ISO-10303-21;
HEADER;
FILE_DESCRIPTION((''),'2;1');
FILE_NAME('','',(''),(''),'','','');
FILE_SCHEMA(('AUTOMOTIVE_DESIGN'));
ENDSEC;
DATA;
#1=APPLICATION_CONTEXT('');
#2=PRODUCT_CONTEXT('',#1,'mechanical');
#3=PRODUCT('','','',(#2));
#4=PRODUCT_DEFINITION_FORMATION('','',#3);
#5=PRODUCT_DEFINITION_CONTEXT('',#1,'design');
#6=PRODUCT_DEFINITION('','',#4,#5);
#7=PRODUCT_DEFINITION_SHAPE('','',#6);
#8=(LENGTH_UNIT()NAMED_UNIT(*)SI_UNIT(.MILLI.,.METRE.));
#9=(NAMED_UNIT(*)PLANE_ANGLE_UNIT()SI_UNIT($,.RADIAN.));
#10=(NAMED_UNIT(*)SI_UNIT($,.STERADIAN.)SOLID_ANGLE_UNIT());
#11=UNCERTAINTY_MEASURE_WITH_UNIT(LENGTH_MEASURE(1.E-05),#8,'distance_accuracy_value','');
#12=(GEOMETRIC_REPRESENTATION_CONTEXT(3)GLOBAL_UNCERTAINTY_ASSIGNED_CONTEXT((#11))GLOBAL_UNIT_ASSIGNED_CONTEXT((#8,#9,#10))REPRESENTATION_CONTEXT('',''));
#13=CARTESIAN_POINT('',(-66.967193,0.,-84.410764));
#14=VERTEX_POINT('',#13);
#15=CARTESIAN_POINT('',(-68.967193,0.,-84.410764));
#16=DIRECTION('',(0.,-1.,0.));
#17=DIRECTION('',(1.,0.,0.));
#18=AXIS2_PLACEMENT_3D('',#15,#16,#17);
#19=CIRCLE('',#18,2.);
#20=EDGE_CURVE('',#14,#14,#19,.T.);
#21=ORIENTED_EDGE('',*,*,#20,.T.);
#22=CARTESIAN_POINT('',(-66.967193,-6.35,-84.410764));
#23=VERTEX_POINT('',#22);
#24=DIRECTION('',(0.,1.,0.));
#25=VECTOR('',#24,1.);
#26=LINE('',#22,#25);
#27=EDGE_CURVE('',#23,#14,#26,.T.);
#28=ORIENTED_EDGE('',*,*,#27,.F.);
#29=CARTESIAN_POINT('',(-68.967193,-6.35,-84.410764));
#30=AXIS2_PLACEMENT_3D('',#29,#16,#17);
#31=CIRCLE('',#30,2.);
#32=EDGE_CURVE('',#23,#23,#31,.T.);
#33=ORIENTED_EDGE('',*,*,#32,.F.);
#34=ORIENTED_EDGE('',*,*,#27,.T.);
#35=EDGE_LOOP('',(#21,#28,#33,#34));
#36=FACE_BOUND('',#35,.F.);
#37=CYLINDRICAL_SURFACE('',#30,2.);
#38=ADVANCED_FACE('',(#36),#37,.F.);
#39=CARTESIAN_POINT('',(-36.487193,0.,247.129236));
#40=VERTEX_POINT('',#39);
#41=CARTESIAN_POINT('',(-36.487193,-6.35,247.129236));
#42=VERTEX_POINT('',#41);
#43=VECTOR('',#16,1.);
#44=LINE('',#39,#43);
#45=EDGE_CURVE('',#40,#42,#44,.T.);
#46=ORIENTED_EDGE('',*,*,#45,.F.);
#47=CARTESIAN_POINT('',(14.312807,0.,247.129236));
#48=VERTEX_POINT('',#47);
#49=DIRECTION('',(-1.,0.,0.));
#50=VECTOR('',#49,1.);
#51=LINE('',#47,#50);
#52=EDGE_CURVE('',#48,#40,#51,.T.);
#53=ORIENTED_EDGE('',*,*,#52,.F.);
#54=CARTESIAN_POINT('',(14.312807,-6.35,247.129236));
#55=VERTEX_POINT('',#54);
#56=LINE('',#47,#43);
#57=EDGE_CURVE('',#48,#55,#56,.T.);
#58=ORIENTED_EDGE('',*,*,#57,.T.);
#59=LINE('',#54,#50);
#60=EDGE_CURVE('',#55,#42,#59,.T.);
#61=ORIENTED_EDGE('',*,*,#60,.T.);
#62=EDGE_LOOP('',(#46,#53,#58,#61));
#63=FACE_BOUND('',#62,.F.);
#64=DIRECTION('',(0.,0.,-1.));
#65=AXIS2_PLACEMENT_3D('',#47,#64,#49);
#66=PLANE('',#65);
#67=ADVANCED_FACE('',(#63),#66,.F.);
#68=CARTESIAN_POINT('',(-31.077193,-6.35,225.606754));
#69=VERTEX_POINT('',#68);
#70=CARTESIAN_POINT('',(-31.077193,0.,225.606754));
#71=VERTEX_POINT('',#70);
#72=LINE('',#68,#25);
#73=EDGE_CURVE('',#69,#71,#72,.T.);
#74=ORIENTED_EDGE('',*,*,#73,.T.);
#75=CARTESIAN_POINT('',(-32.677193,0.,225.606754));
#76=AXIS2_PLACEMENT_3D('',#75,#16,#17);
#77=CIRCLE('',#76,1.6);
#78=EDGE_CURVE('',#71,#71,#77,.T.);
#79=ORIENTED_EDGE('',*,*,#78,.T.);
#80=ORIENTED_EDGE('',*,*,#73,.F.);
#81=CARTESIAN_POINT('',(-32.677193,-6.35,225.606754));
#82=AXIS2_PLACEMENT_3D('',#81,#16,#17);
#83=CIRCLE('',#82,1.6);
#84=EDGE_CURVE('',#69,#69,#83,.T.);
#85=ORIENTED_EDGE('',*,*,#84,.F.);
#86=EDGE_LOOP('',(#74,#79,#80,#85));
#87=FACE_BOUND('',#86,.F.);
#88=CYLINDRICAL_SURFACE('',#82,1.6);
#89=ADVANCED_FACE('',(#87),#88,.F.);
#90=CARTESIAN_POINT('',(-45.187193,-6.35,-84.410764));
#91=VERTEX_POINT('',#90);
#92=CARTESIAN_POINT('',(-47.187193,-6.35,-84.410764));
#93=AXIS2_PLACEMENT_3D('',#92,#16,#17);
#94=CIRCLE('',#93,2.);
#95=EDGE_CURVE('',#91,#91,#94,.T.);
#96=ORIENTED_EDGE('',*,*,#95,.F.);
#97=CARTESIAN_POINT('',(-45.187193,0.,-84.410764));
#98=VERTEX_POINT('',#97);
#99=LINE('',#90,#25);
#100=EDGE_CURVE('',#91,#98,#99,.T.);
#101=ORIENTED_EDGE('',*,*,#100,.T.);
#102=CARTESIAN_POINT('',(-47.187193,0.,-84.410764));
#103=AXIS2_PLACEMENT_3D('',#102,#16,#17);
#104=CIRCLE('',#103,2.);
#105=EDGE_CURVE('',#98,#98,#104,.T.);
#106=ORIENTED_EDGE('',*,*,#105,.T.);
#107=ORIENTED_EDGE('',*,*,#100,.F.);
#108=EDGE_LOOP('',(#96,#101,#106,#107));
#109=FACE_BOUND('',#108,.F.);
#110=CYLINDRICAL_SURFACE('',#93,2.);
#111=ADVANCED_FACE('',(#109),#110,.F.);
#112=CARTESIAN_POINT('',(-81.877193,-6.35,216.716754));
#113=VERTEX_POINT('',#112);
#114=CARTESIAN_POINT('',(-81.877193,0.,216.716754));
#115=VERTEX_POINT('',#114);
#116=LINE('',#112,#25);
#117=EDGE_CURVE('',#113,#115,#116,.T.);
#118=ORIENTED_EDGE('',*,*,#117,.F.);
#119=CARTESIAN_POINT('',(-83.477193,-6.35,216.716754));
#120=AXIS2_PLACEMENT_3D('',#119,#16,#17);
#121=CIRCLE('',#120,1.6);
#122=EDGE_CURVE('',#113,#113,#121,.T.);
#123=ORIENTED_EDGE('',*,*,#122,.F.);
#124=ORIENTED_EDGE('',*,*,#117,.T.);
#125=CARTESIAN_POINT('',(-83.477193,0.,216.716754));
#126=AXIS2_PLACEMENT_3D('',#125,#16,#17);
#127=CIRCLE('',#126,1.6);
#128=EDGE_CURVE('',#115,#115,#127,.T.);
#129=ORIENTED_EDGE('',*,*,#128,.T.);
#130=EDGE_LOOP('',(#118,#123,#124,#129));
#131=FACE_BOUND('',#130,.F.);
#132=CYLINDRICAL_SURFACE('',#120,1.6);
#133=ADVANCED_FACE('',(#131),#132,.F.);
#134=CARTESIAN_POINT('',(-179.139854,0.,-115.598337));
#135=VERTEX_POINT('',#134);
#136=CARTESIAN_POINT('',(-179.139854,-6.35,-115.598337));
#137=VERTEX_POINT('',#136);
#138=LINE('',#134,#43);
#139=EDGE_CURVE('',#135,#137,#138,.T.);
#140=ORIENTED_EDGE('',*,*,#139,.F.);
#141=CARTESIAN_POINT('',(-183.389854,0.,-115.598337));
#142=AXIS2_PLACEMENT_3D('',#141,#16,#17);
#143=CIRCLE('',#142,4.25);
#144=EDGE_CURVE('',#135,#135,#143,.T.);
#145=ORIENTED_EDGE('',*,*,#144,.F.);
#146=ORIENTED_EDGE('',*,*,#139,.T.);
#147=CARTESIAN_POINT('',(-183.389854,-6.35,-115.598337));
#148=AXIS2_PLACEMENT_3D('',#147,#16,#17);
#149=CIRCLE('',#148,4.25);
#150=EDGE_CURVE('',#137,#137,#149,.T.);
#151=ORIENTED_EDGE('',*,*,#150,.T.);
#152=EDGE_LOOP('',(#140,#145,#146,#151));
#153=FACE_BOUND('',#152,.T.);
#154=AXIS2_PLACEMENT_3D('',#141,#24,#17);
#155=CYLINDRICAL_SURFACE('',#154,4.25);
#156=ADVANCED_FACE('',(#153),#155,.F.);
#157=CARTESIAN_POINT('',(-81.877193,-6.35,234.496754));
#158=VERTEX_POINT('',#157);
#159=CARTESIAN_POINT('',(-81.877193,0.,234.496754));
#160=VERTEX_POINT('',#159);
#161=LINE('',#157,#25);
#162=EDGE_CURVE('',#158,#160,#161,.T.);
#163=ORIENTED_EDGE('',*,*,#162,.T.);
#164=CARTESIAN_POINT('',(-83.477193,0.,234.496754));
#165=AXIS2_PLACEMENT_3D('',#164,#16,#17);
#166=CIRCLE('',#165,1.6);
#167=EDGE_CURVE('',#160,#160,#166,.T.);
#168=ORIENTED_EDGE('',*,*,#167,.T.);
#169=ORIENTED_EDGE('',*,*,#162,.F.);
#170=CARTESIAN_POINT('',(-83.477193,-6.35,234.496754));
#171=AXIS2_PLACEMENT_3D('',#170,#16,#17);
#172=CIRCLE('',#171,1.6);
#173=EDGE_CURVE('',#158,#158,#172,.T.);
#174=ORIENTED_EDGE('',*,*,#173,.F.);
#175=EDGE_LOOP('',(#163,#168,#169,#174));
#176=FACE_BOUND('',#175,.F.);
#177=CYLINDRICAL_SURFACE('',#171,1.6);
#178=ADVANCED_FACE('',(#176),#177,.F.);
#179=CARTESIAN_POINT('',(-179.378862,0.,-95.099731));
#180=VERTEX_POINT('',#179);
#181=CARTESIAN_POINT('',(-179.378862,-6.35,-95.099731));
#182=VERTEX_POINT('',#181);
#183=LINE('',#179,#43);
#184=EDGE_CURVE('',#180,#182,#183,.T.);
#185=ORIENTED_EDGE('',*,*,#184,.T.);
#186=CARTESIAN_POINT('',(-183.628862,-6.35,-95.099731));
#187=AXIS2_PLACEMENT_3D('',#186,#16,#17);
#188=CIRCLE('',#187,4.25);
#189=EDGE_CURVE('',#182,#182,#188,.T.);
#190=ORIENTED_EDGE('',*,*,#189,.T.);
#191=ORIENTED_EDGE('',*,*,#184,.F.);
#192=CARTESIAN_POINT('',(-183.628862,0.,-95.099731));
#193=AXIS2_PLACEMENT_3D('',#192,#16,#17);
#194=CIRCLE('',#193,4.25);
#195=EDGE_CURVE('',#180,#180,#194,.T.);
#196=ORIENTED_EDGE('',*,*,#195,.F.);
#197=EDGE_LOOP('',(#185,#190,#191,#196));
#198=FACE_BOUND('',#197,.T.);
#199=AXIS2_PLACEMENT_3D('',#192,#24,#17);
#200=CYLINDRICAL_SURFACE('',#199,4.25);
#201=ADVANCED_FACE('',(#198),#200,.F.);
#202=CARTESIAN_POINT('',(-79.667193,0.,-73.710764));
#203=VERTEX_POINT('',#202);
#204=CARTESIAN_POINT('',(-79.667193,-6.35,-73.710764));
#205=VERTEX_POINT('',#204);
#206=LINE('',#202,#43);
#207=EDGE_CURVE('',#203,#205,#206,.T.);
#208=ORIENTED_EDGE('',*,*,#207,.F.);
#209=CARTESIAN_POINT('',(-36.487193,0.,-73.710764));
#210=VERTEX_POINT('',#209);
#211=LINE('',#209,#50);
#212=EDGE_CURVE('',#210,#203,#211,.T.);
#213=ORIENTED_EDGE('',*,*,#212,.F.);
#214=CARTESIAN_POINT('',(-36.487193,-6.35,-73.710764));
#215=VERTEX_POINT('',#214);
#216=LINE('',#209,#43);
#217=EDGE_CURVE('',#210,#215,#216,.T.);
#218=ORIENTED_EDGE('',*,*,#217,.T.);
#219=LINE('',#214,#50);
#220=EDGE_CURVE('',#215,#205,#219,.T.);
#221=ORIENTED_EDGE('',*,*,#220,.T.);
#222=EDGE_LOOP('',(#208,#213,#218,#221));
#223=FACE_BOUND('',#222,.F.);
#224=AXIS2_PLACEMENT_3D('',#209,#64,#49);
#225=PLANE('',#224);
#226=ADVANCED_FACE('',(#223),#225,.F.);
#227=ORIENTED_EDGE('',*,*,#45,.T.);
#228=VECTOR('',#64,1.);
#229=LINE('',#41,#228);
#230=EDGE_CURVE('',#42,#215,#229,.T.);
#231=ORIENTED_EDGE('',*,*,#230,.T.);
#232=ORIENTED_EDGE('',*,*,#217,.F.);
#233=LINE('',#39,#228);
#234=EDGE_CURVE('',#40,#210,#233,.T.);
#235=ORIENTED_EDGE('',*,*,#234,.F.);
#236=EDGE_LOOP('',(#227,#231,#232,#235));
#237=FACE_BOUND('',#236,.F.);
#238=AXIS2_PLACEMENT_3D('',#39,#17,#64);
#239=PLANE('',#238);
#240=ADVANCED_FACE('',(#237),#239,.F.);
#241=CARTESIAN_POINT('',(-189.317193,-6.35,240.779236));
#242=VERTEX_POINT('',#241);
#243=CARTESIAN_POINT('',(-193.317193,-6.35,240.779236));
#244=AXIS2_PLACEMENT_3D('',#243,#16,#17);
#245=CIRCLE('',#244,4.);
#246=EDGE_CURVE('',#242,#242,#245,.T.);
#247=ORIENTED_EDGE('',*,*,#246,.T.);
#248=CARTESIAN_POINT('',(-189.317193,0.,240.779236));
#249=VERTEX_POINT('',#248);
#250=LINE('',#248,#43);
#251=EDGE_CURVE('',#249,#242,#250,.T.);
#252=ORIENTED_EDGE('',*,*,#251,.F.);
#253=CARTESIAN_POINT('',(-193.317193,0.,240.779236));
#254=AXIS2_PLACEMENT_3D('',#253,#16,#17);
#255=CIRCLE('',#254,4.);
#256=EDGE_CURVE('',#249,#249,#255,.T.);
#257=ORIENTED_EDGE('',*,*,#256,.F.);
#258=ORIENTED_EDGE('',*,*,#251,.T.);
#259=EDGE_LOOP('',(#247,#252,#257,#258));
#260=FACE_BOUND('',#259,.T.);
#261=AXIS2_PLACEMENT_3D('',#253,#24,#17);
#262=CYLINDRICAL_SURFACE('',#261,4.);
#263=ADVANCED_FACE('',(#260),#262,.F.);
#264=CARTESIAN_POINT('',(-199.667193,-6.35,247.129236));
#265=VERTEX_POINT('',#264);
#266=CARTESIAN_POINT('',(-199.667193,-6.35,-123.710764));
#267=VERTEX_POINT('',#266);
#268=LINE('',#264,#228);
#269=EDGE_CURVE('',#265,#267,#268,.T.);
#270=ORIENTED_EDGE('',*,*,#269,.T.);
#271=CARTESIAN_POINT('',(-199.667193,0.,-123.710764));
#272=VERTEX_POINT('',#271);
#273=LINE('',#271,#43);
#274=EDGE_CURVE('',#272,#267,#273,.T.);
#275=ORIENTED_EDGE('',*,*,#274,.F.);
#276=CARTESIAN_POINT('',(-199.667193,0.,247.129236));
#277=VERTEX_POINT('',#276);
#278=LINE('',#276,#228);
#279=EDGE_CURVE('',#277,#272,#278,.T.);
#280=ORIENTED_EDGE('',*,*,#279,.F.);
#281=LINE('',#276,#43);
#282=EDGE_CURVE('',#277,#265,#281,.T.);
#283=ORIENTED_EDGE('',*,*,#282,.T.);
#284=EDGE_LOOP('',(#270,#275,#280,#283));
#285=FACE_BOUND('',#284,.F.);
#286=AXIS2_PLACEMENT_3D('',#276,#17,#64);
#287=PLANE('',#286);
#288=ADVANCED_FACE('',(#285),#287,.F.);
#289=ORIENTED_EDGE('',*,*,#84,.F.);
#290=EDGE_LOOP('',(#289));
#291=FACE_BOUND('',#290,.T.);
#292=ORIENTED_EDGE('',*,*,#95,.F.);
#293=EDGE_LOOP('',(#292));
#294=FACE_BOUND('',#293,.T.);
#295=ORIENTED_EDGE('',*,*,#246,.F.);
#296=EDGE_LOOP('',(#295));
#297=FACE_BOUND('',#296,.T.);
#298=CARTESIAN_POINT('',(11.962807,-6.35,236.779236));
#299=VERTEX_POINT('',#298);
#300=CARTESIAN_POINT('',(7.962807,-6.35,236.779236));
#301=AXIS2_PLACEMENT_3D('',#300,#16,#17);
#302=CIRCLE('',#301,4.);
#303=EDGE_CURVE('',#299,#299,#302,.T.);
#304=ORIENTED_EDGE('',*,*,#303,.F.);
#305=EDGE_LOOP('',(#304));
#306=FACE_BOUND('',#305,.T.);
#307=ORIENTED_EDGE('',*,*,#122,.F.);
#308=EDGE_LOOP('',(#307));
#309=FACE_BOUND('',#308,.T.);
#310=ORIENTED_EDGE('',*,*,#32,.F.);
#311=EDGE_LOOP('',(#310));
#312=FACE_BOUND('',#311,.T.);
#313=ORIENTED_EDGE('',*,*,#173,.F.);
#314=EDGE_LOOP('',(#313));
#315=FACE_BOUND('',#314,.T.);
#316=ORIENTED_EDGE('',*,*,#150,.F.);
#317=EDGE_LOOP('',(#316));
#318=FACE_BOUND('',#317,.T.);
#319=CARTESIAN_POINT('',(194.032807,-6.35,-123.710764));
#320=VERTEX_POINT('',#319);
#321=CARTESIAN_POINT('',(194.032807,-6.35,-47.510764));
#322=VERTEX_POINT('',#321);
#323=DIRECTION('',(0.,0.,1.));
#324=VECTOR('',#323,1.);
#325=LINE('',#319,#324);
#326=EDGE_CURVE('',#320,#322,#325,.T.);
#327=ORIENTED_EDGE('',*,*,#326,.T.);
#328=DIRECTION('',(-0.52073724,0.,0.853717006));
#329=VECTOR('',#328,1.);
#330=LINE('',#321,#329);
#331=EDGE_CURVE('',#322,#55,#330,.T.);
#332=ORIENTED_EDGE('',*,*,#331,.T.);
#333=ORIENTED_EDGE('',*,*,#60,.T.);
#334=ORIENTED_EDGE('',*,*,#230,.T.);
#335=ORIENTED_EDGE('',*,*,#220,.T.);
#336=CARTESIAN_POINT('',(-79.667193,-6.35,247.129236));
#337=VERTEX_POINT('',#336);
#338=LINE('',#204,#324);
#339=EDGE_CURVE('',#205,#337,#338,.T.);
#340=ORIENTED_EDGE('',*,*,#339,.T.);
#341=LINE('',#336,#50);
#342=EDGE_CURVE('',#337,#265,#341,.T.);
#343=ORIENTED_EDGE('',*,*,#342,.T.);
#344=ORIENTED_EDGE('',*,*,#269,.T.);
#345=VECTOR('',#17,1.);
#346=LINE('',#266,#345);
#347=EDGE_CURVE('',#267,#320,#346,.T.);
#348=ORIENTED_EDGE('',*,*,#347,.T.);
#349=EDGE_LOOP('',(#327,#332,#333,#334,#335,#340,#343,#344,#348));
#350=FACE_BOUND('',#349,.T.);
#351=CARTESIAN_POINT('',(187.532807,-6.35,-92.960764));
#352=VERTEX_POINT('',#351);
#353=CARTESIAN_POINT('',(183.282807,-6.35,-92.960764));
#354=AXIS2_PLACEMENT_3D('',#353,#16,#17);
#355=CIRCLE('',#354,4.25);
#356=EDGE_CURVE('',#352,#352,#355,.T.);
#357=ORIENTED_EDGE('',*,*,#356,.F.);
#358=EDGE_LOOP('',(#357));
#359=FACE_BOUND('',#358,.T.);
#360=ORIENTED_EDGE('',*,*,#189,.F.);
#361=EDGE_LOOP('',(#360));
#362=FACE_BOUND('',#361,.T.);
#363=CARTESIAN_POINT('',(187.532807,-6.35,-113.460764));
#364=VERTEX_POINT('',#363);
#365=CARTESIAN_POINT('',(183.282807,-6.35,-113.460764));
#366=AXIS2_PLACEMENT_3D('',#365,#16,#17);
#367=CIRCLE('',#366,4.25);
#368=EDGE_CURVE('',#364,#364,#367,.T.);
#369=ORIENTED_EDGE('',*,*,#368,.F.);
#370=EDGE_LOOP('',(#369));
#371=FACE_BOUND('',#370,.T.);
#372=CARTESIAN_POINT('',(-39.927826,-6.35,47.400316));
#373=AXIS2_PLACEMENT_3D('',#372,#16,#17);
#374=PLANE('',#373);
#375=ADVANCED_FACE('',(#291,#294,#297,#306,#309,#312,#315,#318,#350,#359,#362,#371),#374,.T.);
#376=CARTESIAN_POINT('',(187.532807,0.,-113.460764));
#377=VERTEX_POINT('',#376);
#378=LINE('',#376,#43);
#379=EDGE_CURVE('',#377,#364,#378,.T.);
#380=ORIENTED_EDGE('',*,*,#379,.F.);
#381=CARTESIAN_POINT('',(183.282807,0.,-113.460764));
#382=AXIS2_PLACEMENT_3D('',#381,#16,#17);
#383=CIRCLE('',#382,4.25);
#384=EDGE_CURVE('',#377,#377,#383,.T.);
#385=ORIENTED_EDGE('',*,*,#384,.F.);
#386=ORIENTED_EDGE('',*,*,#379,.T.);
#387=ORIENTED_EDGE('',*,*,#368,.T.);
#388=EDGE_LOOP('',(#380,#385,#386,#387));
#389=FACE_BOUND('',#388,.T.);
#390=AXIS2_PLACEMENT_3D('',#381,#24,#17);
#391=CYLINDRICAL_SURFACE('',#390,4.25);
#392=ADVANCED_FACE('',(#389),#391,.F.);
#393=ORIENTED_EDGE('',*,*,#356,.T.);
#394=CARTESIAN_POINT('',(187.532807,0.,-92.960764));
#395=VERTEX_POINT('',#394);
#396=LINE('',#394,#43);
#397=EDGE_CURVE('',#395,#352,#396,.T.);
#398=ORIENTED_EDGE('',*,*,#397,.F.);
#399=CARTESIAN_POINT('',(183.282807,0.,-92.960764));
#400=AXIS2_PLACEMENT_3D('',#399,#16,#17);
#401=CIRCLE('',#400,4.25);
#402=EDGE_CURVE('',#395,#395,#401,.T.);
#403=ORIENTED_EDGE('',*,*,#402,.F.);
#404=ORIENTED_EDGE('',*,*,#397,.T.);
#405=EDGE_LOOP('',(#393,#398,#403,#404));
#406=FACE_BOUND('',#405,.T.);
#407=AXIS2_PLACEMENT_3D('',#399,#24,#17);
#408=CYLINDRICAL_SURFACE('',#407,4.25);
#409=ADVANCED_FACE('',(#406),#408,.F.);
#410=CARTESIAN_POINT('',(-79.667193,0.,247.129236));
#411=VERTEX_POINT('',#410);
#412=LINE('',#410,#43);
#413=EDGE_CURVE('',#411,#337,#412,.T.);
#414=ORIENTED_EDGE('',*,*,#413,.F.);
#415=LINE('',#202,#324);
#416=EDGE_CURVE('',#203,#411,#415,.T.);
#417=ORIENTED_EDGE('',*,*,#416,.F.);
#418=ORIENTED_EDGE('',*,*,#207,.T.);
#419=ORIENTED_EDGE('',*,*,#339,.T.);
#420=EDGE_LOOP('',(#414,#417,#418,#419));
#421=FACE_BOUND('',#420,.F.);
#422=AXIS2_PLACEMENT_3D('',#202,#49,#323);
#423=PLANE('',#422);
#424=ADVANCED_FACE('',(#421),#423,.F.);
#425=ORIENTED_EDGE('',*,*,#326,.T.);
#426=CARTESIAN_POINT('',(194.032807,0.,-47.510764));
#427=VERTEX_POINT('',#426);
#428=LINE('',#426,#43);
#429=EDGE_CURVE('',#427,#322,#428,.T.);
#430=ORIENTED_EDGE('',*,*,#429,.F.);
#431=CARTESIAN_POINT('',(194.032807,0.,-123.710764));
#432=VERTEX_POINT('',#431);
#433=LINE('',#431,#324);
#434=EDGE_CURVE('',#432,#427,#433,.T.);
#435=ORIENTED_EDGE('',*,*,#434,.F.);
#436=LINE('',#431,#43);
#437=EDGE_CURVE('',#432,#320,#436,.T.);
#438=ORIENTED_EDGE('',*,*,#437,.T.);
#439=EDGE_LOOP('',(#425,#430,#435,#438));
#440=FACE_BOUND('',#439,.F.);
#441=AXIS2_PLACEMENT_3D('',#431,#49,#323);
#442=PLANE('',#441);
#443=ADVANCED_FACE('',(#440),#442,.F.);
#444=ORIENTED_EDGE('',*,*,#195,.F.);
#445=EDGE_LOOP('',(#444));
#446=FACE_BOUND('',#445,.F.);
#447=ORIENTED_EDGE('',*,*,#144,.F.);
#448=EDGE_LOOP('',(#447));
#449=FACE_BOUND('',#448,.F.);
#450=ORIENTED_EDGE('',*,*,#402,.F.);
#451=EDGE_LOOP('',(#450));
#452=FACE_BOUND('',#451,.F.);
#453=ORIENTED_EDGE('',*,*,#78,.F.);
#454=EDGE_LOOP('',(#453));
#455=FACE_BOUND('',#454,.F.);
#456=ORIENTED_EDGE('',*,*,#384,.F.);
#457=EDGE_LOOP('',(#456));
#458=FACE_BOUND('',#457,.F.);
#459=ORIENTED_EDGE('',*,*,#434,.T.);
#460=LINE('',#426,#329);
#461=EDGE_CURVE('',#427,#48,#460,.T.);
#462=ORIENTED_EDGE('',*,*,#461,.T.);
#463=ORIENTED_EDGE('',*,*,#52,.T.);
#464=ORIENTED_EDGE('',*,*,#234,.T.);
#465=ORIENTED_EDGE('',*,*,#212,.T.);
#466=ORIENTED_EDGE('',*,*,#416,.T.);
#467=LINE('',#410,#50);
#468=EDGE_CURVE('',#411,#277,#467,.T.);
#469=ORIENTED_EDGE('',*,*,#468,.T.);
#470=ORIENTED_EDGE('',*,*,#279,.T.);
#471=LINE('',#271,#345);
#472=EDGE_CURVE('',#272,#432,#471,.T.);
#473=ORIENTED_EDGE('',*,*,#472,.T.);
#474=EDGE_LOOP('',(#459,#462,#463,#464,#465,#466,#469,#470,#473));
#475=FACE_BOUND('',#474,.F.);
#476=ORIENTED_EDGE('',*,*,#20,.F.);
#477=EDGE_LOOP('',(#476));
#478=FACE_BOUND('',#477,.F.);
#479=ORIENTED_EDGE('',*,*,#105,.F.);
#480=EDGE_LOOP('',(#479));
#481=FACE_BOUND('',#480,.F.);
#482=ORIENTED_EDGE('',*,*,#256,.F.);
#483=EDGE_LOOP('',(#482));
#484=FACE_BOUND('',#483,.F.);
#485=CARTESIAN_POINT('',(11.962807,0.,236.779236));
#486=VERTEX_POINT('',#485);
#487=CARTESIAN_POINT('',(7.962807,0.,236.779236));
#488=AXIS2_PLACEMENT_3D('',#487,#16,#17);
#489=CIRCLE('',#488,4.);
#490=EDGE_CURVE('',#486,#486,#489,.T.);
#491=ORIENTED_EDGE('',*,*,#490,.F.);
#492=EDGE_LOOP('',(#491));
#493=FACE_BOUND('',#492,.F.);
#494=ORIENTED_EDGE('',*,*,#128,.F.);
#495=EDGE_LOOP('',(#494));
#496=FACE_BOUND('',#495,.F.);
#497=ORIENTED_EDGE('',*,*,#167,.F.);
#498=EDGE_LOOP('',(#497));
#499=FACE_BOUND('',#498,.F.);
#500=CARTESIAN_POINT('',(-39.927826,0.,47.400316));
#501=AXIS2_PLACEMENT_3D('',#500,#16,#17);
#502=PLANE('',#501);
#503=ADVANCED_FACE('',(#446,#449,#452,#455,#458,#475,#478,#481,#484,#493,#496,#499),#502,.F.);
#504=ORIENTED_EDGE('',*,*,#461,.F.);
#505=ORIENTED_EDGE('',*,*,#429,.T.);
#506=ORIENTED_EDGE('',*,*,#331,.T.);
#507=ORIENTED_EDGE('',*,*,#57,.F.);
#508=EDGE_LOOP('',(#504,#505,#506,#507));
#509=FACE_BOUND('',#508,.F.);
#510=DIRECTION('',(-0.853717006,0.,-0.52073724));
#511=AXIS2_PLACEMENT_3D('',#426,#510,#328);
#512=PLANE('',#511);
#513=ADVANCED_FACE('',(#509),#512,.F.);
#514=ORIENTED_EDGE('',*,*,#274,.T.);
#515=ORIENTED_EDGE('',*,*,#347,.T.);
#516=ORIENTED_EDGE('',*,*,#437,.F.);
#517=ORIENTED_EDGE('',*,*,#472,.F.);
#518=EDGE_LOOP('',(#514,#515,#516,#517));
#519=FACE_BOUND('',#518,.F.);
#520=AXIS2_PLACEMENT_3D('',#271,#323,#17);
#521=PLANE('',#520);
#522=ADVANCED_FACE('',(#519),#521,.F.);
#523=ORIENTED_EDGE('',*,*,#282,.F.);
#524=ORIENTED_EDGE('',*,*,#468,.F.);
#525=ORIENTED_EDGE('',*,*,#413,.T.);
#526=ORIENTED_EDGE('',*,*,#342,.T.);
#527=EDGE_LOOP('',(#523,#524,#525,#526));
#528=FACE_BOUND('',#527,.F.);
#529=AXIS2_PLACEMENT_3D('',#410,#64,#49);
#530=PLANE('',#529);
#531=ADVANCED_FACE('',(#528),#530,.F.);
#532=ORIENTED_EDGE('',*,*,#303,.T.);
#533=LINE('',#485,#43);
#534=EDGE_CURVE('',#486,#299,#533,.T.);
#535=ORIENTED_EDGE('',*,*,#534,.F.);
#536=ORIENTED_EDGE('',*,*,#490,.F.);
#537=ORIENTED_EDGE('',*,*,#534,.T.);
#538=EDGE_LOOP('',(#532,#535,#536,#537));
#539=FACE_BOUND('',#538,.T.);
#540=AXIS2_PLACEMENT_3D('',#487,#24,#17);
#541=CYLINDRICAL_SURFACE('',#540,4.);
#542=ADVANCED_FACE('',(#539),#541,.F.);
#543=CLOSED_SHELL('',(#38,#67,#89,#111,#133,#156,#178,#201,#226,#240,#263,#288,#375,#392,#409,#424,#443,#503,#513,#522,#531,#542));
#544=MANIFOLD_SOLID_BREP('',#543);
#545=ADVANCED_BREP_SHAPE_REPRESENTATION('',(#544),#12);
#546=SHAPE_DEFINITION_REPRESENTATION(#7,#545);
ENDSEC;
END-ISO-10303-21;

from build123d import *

# Parameters (mm, degrees)
F0_R     = 4.25
F0_R_2   = 4
F1_DEPTH = 6.35
F3_R     = 1.6
F3_R_2   = 2
F4_DEPTH = 25.4


with BuildPart() as f1:
    # F0 (on Front) → F1 (new body)
    with BuildSketch(Plane.XZ):
        Polygon((-199.667193, 247.129236), (-199.667193, -123.710764), (194.032807, -123.710764), (194.032807, -47.510764), (14.312807, 247.129236), (-36.487193, 247.129236), (-36.487193, -73.710764), (-79.667193, -73.710764), (-79.667193, 247.129236), align=None)
        with Locations((-183.389854, -115.598337)):
            Circle(F0_R, mode=Mode.SUBTRACT)
        with Locations((-183.628862, -95.099731)):
            Circle(F0_R, mode=Mode.SUBTRACT)
        with Locations((183.282807, -113.460764)):
            Circle(F0_R, mode=Mode.SUBTRACT)
        with Locations((183.282807, -92.960764)):
            Circle(F0_R, mode=Mode.SUBTRACT)
        with Locations((-193.317193, 240.779236)):
            Circle(F0_R_2, mode=Mode.SUBTRACT)
        with Locations((7.962807, 236.779236)):
            Circle(F0_R_2, mode=Mode.SUBTRACT)
    extrude(amount=F1_DEPTH)

    # F3 (on face) → F4 (cut)
    with BuildSketch(Plane.XZ.offset(6.35)):
        with Locations((-32.677193, 225.606754)):
            Circle(F3_R)
        with Locations((-83.477193, 234.496754)):
            Circle(F3_R)
        with Locations((-83.477193, 216.716754)):
            Circle(F3_R)
        with Locations((-68.967193, -84.410764)):
            Circle(F3_R_2)
        with Locations((-47.187193, -84.410764)):
            Circle(F3_R_2)
    extrude(amount=-F4_DEPTH, mode=Mode.SUBTRACT)


solid = f1.part
